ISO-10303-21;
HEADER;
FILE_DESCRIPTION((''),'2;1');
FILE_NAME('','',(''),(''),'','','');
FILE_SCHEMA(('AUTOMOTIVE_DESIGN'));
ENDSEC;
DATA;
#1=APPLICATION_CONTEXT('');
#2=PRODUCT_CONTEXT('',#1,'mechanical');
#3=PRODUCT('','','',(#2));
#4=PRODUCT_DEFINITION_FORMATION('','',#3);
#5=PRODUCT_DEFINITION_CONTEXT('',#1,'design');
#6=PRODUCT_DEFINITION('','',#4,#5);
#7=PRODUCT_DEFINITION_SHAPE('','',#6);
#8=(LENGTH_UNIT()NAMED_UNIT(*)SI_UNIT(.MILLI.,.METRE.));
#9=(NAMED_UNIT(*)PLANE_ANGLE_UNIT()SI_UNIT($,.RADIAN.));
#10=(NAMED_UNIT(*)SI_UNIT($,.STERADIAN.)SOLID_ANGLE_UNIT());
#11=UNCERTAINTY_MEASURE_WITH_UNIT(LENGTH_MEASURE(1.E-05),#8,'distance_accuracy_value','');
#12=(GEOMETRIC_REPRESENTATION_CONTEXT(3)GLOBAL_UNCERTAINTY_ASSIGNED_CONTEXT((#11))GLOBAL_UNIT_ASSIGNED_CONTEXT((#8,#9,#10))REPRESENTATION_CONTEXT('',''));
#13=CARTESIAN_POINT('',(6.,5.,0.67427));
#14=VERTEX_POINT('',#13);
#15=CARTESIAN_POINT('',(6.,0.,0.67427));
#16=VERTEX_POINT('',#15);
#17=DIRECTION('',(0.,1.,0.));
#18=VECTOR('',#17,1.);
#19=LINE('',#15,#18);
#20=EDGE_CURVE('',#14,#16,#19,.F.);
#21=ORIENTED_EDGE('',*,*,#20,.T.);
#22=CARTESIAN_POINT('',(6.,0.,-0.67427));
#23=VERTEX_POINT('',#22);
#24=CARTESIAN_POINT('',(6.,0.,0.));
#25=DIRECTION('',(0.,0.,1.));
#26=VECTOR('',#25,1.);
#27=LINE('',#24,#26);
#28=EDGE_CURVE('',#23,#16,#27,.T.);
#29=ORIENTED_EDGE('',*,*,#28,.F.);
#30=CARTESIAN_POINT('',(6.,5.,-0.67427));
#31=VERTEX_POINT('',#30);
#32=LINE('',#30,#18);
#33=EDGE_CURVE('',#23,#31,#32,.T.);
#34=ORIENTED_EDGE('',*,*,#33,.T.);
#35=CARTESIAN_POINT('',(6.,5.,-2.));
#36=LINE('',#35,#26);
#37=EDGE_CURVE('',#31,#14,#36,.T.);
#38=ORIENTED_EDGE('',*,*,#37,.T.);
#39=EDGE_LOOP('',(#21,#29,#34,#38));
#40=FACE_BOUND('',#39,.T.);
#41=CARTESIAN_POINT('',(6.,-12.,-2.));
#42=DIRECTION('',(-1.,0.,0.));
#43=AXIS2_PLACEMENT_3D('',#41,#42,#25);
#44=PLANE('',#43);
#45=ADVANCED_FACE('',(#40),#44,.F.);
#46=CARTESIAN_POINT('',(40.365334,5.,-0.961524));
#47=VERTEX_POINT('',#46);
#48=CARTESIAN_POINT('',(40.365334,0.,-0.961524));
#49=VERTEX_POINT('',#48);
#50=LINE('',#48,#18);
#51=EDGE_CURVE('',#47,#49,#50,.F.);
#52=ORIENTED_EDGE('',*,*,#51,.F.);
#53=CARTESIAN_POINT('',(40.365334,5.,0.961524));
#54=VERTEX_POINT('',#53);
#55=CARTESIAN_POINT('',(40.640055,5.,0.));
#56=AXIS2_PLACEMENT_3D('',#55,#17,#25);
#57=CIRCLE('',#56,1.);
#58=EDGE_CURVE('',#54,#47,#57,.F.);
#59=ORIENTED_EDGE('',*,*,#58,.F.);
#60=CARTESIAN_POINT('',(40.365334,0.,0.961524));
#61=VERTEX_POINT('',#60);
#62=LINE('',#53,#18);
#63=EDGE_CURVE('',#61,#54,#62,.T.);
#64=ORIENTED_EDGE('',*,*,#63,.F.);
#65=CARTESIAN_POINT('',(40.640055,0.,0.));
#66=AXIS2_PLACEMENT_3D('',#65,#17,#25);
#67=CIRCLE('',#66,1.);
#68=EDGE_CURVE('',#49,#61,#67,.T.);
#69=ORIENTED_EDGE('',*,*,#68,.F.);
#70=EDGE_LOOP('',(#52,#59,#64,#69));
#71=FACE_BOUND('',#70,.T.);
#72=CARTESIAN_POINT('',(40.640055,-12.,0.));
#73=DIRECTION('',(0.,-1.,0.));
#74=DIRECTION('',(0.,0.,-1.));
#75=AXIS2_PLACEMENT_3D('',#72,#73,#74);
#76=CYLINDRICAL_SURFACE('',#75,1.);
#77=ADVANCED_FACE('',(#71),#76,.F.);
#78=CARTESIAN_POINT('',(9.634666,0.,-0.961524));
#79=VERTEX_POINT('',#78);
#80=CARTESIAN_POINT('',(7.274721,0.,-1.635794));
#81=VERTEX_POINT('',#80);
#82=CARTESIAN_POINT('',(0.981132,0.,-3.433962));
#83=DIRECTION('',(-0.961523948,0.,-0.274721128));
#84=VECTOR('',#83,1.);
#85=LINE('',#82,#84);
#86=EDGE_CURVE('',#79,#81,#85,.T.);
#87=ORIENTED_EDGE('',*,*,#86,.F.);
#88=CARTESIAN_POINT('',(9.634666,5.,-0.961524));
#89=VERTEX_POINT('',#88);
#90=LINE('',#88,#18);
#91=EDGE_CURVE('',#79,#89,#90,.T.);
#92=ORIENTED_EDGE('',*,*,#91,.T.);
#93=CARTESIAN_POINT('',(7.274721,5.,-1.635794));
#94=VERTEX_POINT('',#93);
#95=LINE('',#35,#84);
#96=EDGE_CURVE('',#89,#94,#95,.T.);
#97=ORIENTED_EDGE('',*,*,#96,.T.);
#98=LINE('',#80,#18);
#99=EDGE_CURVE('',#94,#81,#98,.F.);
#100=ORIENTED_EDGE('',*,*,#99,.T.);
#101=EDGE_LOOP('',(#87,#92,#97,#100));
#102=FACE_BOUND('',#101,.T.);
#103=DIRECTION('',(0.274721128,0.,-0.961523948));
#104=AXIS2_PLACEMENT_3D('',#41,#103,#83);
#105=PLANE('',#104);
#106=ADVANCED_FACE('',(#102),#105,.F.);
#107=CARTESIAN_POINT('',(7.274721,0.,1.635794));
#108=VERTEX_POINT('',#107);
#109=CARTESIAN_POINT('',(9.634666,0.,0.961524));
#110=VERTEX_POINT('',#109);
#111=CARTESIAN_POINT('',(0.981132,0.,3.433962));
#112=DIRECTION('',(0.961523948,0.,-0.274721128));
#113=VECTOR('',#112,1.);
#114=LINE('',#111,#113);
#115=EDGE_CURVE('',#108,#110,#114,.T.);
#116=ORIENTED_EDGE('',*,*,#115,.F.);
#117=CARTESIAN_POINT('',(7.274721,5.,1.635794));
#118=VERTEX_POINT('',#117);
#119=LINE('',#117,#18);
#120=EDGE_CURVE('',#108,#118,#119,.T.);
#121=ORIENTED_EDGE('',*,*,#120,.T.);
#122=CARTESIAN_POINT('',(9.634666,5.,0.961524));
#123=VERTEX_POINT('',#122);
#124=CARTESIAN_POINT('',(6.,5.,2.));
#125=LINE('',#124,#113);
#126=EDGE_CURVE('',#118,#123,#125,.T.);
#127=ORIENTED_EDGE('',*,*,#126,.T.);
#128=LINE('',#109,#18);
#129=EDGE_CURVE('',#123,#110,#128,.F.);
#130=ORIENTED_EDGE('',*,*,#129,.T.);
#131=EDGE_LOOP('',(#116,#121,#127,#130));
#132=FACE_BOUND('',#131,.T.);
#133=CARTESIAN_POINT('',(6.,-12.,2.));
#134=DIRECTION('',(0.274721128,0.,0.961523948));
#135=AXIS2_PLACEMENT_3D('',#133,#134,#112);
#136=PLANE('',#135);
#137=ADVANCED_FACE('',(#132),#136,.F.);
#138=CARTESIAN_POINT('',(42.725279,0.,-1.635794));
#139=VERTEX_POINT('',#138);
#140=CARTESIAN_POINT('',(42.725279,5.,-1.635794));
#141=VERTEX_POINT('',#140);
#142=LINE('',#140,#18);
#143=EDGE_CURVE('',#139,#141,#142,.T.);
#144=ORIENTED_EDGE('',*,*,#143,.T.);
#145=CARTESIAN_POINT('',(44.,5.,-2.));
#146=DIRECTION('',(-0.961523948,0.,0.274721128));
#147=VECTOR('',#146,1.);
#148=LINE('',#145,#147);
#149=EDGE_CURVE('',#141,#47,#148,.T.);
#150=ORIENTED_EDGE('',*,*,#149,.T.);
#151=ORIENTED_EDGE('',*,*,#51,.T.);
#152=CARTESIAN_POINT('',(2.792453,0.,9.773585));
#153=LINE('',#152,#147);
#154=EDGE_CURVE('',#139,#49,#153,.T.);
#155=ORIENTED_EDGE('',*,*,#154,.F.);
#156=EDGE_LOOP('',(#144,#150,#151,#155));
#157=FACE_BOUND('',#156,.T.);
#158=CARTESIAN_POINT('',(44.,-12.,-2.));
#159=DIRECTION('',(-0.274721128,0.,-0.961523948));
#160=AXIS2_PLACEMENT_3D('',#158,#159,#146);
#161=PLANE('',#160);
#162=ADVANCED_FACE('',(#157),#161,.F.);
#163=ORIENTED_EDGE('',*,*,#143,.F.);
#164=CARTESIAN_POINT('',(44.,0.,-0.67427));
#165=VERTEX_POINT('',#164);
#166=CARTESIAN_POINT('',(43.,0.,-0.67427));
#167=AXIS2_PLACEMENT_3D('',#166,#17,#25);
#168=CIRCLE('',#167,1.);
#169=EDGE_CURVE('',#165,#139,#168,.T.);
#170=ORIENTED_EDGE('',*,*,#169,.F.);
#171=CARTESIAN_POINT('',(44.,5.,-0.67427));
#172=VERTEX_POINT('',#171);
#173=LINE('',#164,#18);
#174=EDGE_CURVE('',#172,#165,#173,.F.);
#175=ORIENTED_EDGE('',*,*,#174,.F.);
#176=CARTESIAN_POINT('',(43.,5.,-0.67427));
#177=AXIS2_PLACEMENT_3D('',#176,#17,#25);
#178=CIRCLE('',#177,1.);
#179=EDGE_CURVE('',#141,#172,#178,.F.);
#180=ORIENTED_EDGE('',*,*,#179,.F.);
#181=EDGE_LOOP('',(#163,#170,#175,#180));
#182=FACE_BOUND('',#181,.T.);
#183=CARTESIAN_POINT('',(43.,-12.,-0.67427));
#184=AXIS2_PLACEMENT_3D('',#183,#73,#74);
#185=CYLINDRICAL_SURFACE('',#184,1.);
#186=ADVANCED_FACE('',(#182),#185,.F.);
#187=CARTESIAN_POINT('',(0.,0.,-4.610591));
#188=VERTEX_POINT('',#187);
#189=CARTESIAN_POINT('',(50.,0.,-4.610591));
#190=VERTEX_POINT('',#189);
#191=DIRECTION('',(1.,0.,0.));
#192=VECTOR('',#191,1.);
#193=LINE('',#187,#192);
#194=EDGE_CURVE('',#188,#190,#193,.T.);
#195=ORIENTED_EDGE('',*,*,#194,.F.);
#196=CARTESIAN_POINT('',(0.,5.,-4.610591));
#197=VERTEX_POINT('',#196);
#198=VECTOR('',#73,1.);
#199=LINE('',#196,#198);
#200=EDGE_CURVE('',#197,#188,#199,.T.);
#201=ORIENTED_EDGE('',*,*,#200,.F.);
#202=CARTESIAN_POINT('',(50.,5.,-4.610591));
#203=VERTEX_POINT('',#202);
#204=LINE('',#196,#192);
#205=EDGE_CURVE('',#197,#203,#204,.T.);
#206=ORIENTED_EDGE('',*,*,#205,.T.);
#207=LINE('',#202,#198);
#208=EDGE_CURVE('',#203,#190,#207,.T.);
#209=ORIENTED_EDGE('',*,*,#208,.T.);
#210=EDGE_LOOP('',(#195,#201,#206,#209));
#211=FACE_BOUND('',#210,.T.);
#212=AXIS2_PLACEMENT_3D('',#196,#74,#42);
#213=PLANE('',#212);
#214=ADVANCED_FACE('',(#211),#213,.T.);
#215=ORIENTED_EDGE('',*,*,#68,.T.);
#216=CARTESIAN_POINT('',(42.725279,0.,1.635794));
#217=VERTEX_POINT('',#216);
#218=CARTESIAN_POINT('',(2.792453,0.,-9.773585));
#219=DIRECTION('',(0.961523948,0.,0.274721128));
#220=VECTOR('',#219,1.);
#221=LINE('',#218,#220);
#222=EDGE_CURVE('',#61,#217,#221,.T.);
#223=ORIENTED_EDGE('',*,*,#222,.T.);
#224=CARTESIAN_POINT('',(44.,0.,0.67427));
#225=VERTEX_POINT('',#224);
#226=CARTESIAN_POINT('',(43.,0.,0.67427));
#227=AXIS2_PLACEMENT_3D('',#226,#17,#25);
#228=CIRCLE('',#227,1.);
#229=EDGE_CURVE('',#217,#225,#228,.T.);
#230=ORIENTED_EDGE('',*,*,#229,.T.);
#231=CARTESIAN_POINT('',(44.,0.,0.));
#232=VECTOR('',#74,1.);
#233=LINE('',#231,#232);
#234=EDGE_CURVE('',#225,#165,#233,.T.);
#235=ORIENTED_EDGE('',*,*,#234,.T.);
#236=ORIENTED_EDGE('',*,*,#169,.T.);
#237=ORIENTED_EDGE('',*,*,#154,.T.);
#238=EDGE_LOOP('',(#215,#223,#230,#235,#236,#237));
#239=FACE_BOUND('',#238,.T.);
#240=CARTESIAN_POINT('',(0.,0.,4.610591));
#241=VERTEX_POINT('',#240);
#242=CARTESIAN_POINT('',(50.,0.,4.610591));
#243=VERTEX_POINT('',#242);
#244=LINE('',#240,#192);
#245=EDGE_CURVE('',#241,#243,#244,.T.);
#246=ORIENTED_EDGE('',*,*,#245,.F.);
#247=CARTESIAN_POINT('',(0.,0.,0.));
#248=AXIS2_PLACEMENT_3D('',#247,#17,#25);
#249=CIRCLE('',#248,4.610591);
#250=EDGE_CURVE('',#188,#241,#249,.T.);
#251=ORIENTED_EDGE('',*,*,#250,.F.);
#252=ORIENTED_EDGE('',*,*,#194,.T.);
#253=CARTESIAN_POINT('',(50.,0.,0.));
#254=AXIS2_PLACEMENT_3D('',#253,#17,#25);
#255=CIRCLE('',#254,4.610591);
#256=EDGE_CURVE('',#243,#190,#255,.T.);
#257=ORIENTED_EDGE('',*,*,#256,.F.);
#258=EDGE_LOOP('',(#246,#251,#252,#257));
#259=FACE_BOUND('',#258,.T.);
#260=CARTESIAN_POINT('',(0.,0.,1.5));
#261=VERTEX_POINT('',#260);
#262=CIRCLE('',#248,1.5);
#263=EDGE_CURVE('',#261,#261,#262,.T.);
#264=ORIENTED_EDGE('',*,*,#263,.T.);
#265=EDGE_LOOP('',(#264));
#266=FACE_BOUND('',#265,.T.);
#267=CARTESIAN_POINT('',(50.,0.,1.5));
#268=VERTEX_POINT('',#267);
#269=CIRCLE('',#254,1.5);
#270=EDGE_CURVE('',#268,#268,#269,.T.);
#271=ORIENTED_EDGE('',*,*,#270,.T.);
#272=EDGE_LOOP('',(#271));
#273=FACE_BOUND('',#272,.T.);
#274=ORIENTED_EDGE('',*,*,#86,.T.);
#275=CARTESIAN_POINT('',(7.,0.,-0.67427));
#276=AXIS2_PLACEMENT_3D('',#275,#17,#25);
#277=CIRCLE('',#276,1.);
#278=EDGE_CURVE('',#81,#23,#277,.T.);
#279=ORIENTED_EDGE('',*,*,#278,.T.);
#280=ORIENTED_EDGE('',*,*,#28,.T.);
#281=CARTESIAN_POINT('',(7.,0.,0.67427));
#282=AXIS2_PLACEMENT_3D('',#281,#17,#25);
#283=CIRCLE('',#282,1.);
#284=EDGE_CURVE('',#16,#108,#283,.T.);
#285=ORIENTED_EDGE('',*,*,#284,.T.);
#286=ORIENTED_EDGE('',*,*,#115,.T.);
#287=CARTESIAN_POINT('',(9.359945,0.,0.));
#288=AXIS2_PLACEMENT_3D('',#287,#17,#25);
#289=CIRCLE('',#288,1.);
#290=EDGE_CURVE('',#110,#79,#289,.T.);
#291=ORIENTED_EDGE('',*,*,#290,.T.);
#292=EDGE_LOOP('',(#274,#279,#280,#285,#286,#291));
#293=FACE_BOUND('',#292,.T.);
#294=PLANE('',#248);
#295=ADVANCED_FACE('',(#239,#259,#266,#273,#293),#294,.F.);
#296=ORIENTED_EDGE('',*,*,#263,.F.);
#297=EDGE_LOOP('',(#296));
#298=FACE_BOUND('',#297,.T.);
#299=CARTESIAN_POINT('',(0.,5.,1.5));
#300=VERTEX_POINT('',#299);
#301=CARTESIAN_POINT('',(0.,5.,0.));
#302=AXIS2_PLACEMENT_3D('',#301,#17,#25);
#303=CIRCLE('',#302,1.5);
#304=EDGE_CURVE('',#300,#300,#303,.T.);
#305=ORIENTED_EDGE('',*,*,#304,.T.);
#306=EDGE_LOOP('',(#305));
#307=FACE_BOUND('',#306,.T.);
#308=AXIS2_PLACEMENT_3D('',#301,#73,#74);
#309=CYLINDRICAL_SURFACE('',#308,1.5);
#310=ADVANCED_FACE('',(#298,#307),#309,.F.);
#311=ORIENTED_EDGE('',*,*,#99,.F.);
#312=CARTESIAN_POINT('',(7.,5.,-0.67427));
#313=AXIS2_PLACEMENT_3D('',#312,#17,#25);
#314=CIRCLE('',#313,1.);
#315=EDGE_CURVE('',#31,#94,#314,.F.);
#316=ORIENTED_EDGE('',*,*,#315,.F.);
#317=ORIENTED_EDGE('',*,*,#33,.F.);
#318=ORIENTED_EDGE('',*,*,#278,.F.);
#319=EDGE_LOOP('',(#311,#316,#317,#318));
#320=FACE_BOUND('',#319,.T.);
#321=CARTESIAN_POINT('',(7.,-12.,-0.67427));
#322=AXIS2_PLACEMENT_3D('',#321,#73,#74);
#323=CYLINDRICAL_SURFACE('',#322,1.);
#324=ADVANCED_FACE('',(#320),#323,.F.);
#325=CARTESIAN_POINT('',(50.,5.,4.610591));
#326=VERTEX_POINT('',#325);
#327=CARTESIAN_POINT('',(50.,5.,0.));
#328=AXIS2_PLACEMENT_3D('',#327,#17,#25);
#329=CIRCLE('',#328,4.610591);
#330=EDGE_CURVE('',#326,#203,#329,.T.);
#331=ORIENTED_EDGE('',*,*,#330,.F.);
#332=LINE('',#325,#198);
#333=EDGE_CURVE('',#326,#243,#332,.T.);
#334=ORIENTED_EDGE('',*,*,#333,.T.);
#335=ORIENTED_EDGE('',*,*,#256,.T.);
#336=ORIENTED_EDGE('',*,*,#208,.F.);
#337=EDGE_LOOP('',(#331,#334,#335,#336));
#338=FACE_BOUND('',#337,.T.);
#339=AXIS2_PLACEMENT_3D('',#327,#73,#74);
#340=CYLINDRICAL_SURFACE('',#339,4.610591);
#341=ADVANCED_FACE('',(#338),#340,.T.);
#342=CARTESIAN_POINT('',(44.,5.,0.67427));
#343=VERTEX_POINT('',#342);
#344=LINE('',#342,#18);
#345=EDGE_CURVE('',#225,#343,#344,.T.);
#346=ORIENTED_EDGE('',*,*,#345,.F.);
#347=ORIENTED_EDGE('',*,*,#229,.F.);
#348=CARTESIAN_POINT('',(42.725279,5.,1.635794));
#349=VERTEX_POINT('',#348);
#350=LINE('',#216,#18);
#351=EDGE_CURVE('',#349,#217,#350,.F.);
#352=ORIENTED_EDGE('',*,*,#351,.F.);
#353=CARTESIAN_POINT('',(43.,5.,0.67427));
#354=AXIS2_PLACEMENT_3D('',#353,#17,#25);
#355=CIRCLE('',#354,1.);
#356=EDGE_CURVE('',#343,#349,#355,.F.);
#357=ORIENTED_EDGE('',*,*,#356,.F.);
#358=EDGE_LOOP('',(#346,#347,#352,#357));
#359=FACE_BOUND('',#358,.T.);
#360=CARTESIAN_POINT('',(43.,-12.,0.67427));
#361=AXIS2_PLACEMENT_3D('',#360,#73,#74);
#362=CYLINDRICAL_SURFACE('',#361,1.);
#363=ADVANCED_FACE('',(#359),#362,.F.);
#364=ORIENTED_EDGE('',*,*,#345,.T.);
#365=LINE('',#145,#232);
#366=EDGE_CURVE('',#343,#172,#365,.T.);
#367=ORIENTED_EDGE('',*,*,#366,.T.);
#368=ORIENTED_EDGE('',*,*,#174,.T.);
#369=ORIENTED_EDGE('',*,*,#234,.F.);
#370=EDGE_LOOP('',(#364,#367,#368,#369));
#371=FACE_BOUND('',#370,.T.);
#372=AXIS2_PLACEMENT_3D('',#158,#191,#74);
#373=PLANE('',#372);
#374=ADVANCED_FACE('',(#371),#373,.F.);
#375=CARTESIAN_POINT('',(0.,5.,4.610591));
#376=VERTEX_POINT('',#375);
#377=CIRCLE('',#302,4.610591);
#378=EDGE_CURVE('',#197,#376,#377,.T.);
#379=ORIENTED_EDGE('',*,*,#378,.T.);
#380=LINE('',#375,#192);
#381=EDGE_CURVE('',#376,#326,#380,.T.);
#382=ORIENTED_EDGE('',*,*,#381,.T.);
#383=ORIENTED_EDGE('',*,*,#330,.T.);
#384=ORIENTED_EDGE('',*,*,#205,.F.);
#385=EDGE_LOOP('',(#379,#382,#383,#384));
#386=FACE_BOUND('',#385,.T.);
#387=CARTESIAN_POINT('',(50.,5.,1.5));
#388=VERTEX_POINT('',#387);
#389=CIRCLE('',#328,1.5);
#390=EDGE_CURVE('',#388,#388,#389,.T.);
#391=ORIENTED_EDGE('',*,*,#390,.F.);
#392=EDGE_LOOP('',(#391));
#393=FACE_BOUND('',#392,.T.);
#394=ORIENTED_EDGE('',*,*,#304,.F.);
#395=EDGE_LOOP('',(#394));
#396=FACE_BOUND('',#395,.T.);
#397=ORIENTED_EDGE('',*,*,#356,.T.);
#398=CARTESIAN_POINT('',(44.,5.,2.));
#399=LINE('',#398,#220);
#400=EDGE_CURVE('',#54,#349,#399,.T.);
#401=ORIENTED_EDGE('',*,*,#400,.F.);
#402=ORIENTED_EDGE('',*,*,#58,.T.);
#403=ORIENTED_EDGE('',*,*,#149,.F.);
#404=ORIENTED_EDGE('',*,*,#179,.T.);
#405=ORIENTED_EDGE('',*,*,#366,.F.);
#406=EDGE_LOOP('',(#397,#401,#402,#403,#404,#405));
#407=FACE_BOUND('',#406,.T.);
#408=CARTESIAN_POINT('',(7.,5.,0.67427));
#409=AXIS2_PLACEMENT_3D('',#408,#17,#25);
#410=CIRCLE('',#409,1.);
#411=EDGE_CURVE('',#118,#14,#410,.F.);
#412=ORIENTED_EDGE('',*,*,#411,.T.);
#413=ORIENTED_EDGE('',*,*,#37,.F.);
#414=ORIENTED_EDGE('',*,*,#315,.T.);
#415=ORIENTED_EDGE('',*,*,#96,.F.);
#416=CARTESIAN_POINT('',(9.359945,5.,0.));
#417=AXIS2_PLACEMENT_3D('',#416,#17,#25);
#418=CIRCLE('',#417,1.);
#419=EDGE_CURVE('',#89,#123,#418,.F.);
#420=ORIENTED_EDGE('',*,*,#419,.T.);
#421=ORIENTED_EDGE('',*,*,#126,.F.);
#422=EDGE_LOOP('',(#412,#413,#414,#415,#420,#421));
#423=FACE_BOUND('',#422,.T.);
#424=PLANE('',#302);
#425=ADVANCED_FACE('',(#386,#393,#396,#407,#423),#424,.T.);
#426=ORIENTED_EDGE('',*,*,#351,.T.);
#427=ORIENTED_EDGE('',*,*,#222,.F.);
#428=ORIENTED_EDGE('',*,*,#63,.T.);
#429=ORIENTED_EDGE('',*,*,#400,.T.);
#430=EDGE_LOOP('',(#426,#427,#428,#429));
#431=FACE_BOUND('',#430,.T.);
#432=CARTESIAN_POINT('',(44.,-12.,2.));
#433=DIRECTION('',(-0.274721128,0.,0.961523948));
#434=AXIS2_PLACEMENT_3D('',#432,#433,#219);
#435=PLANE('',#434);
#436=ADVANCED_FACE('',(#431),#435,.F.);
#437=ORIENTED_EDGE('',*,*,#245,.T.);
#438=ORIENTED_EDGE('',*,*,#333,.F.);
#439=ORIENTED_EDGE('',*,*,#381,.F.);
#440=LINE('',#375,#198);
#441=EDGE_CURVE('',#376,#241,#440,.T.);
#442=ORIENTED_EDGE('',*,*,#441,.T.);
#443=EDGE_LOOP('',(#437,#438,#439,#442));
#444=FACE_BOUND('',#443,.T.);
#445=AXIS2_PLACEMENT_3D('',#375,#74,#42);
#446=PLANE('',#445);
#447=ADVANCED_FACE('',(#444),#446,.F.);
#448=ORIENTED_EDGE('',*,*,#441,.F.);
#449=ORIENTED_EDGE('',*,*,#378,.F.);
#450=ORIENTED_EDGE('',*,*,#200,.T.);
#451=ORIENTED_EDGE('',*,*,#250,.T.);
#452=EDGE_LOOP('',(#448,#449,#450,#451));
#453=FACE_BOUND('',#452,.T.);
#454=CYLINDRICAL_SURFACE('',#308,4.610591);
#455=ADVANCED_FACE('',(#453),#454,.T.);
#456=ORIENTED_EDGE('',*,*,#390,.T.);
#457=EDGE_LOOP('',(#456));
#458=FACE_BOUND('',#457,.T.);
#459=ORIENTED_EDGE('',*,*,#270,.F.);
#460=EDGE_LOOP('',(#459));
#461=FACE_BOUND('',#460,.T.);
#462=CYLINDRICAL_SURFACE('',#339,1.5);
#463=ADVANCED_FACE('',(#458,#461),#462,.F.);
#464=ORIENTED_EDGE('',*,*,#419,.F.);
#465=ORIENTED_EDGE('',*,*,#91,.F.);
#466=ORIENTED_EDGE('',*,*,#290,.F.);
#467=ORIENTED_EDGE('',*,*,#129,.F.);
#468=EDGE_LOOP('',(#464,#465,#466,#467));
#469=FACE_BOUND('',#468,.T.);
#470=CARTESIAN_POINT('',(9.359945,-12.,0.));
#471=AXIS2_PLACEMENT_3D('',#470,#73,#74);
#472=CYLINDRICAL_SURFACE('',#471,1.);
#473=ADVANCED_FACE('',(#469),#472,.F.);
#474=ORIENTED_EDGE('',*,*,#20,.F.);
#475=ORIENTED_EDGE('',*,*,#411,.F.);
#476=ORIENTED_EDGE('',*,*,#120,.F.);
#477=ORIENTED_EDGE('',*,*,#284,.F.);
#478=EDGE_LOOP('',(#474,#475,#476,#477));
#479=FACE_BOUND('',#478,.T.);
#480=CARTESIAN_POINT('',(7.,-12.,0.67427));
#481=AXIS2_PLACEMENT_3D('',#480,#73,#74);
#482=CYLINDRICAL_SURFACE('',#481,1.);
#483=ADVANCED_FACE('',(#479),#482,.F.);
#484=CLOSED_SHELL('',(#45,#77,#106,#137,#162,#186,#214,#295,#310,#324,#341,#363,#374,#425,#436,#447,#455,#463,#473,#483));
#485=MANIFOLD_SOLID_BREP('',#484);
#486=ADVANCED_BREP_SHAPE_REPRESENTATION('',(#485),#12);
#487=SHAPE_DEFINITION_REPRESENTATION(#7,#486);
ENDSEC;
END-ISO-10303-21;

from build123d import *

# Parameters (mm, degrees)
SKETCH1_R           = 1.5
BOSS_EXTRUDE1_DEPTH = 5
CUT_EXTRUDE2_DEPTH  = 17
FILLET1_R           = 1


with BuildPart() as part:
    # Sketch1 → Boss-Extrude1 (new body)
    with BuildSketch(Plane(origin=(0, 0, 0), x_dir=(1, 0, 0), z_dir=(0, 1, 0))):
        with BuildLine():
            Line((0, 4.610590887), (50, 4.610590887))
            ThreePointArc((50, 4.610590887), (54.610590887, 0), (50, -4.610590887))
            Line((50, -4.610590887), (0, -4.610590887))
            ThreePointArc((0, -4.610590887), (-4.610590887, 0), (0, 4.610590887))
        make_face()
        Circle(SKETCH1_R, mode=Mode.SUBTRACT)
        with Locations((50, 0)):
            Circle(SKETCH1_R, mode=Mode.SUBTRACT)
    extrude(amount=BOSS_EXTRUDE1_DEPTH)

    # Sketch3 → Cut-Extrude2 (cut)
    with BuildSketch(Plane(origin=(0, 5, 0), x_dir=(1, 0, 0), z_dir=(0, 1, 0))):
        Polygon((6, 2), (6, -2), (13, 0), align=None)
        Polygon((44, 2), (44, -2), (37, 0), align=None)
    extrude(amount=-CUT_EXTRUDE2_DEPTH, mode=Mode.SUBTRACT)

    # Fillet1
    fillet1_edges = [part.edges().sort_by_distance(p)[0] for p in [
        (6, 2.5, -2),
        (13, 2.5, 0),
        (6, 2.5, 2),
        (37, 2.5, 0),
        (44, 2.5, -2),
        (44, 2.5, 2),
    ]]
    fillet(fillet1_edges, radius=FILLET1_R)


solid = part.part
